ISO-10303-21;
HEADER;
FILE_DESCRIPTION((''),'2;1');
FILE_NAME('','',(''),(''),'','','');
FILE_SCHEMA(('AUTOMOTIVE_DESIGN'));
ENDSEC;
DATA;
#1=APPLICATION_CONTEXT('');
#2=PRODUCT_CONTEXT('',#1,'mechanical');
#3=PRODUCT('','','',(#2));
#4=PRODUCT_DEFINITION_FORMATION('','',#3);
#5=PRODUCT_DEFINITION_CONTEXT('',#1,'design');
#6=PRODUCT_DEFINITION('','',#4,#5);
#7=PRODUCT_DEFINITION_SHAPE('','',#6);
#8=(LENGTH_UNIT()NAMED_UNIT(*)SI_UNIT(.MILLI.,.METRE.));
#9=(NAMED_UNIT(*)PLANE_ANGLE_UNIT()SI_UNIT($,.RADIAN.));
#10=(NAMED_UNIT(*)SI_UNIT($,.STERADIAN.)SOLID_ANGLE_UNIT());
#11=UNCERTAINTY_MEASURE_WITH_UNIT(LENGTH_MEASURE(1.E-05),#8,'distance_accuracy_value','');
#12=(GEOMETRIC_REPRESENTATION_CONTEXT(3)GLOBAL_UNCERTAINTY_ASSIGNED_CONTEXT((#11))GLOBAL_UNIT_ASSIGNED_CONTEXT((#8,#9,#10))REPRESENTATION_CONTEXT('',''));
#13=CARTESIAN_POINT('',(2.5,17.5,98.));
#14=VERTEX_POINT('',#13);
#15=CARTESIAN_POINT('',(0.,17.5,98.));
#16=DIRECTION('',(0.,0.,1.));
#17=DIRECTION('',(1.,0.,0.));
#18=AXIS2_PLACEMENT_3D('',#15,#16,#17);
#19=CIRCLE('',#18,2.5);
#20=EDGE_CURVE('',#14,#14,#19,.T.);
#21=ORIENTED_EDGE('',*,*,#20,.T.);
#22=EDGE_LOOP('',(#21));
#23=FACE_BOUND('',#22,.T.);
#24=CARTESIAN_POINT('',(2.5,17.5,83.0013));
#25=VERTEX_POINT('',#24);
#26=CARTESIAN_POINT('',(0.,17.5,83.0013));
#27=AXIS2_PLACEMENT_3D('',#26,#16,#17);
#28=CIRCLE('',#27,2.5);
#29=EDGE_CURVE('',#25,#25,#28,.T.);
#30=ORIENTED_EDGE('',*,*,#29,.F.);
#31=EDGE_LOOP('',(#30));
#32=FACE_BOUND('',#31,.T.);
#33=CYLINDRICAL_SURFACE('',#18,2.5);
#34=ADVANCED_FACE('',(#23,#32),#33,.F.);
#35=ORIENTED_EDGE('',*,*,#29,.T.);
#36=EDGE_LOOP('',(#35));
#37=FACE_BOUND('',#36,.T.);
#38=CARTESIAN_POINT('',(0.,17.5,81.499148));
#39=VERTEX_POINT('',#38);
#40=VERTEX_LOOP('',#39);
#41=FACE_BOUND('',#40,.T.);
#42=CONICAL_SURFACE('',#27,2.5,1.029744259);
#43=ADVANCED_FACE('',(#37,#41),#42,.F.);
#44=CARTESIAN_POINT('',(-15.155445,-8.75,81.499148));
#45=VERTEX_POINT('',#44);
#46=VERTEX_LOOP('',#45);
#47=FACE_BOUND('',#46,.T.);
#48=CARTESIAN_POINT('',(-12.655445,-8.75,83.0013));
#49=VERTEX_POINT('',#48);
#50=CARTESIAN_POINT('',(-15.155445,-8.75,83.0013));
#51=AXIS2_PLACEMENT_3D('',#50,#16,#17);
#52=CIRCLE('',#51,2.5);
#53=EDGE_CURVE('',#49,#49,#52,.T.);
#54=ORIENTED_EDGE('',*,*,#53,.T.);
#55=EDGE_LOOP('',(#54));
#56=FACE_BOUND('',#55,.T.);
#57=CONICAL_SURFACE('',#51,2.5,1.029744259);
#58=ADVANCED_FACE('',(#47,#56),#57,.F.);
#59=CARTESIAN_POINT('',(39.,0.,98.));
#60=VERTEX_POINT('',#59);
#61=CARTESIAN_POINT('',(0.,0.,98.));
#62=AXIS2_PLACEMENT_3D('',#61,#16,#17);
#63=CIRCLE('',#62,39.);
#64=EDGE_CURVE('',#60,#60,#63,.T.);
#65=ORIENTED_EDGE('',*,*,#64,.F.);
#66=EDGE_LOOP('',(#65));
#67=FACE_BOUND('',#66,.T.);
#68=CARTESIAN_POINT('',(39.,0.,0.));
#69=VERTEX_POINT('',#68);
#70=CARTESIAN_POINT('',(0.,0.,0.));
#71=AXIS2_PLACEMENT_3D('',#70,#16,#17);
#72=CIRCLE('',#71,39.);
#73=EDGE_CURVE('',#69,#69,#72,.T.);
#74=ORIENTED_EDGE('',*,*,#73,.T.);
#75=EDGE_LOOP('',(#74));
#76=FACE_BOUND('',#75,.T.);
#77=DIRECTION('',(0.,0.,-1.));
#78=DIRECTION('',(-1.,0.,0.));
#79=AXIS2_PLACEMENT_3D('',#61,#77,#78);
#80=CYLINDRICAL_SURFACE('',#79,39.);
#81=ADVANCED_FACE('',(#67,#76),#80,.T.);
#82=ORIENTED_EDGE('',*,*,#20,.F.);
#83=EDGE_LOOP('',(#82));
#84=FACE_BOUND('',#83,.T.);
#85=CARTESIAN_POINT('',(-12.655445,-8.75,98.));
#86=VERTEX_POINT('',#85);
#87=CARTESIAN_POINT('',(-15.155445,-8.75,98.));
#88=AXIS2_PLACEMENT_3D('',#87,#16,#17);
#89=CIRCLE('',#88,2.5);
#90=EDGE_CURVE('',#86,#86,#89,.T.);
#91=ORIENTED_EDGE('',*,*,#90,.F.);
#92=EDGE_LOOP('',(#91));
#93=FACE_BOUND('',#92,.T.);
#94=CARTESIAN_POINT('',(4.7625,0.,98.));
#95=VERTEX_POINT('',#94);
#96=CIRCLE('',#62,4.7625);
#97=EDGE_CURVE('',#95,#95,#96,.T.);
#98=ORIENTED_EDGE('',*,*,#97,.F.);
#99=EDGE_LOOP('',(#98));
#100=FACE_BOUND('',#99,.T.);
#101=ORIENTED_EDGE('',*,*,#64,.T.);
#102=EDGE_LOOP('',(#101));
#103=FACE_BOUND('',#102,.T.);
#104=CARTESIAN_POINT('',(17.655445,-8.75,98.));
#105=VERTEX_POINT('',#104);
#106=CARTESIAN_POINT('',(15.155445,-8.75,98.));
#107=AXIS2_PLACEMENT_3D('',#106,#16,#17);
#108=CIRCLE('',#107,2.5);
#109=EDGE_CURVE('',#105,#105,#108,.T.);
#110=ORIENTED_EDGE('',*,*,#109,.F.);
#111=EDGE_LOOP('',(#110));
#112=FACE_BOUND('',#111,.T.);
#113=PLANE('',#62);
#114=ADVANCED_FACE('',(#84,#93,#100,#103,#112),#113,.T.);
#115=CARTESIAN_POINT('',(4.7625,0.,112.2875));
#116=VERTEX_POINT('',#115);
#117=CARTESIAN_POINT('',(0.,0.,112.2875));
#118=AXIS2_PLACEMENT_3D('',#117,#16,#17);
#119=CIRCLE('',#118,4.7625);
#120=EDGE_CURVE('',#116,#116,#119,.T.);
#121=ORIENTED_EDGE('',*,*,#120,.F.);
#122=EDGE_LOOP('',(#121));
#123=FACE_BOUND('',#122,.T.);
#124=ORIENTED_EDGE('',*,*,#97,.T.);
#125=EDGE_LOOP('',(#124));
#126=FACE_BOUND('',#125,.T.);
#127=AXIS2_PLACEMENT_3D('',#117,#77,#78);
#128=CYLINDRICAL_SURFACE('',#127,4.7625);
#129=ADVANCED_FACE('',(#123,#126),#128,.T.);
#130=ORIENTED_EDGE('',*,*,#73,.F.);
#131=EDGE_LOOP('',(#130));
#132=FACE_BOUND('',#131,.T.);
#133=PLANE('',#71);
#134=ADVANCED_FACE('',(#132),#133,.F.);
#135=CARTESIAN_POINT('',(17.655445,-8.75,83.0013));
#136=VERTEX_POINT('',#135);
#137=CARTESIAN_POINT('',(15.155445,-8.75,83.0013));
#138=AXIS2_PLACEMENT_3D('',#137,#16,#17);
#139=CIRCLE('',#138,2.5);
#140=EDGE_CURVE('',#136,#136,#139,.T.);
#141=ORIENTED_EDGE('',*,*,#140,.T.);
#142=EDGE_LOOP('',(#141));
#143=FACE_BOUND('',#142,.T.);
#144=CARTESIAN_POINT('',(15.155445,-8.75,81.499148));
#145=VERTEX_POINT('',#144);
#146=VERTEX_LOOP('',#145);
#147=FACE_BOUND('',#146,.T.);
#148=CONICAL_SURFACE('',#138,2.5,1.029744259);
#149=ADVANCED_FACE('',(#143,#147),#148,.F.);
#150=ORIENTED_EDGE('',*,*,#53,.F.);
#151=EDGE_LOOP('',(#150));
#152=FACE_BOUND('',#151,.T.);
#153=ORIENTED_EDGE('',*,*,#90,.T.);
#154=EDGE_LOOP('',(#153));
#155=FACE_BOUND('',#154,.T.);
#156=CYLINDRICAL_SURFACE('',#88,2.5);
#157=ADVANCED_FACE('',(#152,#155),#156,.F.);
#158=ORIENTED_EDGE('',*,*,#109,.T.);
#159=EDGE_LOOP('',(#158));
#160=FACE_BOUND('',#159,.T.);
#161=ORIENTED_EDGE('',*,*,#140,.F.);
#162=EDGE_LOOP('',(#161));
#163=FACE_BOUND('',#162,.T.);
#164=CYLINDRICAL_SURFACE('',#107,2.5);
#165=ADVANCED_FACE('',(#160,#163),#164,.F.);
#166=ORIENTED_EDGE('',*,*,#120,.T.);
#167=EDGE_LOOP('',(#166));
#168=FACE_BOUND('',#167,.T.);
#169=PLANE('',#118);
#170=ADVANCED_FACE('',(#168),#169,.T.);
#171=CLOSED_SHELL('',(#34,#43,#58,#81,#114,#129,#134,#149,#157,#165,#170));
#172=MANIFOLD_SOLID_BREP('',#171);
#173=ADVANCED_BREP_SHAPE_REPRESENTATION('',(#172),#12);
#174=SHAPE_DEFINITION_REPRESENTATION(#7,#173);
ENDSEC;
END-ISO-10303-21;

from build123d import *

# Parameters (mm, degrees)
SKETCH1_R                 = 39
BOSS_EXTRUDE1_DEPTH       = 98
SKETCH2_R                 = 4.7625
BOSS_EXTRUDE2_DEPTH       = 14.2875
M6X1_0_TAPPED_HOLE1_D     = 5
M6X1_0_TAPPED_HOLE1_DEPTH = 14.9987
M6X1_0_TAPPED_HOLE1_TIP   = 1.502151548


with BuildPart() as part:
    # Sketch1 → Boss-Extrude1 (new body)
    with BuildSketch(Plane.XY):
        Circle(SKETCH1_R)
    extrude(amount=BOSS_EXTRUDE1_DEPTH)

    # Sketch2 → Boss-Extrude2 (add)
    with BuildSketch(Plane.XY.offset(98)):
        Circle(SKETCH2_R)
    extrude(amount=BOSS_EXTRUDE2_DEPTH)

    # M6x1.0 Tapped Hole1
    with Locations(Plane.XY.offset(98)):
        with Locations((0, 17.5), (15.155444566, -8.75), (-15.155444566, -8.75)):
            Hole(M6X1_0_TAPPED_HOLE1_D / 2, depth=M6X1_0_TAPPED_HOLE1_DEPTH)
            with Locations((0, 0, -(M6X1_0_TAPPED_HOLE1_DEPTH + M6X1_0_TAPPED_HOLE1_TIP / 2))):  # 118° drill point
                Cone(0, M6X1_0_TAPPED_HOLE1_D / 2, M6X1_0_TAPPED_HOLE1_TIP, mode=Mode.SUBTRACT)


solid = part.part
